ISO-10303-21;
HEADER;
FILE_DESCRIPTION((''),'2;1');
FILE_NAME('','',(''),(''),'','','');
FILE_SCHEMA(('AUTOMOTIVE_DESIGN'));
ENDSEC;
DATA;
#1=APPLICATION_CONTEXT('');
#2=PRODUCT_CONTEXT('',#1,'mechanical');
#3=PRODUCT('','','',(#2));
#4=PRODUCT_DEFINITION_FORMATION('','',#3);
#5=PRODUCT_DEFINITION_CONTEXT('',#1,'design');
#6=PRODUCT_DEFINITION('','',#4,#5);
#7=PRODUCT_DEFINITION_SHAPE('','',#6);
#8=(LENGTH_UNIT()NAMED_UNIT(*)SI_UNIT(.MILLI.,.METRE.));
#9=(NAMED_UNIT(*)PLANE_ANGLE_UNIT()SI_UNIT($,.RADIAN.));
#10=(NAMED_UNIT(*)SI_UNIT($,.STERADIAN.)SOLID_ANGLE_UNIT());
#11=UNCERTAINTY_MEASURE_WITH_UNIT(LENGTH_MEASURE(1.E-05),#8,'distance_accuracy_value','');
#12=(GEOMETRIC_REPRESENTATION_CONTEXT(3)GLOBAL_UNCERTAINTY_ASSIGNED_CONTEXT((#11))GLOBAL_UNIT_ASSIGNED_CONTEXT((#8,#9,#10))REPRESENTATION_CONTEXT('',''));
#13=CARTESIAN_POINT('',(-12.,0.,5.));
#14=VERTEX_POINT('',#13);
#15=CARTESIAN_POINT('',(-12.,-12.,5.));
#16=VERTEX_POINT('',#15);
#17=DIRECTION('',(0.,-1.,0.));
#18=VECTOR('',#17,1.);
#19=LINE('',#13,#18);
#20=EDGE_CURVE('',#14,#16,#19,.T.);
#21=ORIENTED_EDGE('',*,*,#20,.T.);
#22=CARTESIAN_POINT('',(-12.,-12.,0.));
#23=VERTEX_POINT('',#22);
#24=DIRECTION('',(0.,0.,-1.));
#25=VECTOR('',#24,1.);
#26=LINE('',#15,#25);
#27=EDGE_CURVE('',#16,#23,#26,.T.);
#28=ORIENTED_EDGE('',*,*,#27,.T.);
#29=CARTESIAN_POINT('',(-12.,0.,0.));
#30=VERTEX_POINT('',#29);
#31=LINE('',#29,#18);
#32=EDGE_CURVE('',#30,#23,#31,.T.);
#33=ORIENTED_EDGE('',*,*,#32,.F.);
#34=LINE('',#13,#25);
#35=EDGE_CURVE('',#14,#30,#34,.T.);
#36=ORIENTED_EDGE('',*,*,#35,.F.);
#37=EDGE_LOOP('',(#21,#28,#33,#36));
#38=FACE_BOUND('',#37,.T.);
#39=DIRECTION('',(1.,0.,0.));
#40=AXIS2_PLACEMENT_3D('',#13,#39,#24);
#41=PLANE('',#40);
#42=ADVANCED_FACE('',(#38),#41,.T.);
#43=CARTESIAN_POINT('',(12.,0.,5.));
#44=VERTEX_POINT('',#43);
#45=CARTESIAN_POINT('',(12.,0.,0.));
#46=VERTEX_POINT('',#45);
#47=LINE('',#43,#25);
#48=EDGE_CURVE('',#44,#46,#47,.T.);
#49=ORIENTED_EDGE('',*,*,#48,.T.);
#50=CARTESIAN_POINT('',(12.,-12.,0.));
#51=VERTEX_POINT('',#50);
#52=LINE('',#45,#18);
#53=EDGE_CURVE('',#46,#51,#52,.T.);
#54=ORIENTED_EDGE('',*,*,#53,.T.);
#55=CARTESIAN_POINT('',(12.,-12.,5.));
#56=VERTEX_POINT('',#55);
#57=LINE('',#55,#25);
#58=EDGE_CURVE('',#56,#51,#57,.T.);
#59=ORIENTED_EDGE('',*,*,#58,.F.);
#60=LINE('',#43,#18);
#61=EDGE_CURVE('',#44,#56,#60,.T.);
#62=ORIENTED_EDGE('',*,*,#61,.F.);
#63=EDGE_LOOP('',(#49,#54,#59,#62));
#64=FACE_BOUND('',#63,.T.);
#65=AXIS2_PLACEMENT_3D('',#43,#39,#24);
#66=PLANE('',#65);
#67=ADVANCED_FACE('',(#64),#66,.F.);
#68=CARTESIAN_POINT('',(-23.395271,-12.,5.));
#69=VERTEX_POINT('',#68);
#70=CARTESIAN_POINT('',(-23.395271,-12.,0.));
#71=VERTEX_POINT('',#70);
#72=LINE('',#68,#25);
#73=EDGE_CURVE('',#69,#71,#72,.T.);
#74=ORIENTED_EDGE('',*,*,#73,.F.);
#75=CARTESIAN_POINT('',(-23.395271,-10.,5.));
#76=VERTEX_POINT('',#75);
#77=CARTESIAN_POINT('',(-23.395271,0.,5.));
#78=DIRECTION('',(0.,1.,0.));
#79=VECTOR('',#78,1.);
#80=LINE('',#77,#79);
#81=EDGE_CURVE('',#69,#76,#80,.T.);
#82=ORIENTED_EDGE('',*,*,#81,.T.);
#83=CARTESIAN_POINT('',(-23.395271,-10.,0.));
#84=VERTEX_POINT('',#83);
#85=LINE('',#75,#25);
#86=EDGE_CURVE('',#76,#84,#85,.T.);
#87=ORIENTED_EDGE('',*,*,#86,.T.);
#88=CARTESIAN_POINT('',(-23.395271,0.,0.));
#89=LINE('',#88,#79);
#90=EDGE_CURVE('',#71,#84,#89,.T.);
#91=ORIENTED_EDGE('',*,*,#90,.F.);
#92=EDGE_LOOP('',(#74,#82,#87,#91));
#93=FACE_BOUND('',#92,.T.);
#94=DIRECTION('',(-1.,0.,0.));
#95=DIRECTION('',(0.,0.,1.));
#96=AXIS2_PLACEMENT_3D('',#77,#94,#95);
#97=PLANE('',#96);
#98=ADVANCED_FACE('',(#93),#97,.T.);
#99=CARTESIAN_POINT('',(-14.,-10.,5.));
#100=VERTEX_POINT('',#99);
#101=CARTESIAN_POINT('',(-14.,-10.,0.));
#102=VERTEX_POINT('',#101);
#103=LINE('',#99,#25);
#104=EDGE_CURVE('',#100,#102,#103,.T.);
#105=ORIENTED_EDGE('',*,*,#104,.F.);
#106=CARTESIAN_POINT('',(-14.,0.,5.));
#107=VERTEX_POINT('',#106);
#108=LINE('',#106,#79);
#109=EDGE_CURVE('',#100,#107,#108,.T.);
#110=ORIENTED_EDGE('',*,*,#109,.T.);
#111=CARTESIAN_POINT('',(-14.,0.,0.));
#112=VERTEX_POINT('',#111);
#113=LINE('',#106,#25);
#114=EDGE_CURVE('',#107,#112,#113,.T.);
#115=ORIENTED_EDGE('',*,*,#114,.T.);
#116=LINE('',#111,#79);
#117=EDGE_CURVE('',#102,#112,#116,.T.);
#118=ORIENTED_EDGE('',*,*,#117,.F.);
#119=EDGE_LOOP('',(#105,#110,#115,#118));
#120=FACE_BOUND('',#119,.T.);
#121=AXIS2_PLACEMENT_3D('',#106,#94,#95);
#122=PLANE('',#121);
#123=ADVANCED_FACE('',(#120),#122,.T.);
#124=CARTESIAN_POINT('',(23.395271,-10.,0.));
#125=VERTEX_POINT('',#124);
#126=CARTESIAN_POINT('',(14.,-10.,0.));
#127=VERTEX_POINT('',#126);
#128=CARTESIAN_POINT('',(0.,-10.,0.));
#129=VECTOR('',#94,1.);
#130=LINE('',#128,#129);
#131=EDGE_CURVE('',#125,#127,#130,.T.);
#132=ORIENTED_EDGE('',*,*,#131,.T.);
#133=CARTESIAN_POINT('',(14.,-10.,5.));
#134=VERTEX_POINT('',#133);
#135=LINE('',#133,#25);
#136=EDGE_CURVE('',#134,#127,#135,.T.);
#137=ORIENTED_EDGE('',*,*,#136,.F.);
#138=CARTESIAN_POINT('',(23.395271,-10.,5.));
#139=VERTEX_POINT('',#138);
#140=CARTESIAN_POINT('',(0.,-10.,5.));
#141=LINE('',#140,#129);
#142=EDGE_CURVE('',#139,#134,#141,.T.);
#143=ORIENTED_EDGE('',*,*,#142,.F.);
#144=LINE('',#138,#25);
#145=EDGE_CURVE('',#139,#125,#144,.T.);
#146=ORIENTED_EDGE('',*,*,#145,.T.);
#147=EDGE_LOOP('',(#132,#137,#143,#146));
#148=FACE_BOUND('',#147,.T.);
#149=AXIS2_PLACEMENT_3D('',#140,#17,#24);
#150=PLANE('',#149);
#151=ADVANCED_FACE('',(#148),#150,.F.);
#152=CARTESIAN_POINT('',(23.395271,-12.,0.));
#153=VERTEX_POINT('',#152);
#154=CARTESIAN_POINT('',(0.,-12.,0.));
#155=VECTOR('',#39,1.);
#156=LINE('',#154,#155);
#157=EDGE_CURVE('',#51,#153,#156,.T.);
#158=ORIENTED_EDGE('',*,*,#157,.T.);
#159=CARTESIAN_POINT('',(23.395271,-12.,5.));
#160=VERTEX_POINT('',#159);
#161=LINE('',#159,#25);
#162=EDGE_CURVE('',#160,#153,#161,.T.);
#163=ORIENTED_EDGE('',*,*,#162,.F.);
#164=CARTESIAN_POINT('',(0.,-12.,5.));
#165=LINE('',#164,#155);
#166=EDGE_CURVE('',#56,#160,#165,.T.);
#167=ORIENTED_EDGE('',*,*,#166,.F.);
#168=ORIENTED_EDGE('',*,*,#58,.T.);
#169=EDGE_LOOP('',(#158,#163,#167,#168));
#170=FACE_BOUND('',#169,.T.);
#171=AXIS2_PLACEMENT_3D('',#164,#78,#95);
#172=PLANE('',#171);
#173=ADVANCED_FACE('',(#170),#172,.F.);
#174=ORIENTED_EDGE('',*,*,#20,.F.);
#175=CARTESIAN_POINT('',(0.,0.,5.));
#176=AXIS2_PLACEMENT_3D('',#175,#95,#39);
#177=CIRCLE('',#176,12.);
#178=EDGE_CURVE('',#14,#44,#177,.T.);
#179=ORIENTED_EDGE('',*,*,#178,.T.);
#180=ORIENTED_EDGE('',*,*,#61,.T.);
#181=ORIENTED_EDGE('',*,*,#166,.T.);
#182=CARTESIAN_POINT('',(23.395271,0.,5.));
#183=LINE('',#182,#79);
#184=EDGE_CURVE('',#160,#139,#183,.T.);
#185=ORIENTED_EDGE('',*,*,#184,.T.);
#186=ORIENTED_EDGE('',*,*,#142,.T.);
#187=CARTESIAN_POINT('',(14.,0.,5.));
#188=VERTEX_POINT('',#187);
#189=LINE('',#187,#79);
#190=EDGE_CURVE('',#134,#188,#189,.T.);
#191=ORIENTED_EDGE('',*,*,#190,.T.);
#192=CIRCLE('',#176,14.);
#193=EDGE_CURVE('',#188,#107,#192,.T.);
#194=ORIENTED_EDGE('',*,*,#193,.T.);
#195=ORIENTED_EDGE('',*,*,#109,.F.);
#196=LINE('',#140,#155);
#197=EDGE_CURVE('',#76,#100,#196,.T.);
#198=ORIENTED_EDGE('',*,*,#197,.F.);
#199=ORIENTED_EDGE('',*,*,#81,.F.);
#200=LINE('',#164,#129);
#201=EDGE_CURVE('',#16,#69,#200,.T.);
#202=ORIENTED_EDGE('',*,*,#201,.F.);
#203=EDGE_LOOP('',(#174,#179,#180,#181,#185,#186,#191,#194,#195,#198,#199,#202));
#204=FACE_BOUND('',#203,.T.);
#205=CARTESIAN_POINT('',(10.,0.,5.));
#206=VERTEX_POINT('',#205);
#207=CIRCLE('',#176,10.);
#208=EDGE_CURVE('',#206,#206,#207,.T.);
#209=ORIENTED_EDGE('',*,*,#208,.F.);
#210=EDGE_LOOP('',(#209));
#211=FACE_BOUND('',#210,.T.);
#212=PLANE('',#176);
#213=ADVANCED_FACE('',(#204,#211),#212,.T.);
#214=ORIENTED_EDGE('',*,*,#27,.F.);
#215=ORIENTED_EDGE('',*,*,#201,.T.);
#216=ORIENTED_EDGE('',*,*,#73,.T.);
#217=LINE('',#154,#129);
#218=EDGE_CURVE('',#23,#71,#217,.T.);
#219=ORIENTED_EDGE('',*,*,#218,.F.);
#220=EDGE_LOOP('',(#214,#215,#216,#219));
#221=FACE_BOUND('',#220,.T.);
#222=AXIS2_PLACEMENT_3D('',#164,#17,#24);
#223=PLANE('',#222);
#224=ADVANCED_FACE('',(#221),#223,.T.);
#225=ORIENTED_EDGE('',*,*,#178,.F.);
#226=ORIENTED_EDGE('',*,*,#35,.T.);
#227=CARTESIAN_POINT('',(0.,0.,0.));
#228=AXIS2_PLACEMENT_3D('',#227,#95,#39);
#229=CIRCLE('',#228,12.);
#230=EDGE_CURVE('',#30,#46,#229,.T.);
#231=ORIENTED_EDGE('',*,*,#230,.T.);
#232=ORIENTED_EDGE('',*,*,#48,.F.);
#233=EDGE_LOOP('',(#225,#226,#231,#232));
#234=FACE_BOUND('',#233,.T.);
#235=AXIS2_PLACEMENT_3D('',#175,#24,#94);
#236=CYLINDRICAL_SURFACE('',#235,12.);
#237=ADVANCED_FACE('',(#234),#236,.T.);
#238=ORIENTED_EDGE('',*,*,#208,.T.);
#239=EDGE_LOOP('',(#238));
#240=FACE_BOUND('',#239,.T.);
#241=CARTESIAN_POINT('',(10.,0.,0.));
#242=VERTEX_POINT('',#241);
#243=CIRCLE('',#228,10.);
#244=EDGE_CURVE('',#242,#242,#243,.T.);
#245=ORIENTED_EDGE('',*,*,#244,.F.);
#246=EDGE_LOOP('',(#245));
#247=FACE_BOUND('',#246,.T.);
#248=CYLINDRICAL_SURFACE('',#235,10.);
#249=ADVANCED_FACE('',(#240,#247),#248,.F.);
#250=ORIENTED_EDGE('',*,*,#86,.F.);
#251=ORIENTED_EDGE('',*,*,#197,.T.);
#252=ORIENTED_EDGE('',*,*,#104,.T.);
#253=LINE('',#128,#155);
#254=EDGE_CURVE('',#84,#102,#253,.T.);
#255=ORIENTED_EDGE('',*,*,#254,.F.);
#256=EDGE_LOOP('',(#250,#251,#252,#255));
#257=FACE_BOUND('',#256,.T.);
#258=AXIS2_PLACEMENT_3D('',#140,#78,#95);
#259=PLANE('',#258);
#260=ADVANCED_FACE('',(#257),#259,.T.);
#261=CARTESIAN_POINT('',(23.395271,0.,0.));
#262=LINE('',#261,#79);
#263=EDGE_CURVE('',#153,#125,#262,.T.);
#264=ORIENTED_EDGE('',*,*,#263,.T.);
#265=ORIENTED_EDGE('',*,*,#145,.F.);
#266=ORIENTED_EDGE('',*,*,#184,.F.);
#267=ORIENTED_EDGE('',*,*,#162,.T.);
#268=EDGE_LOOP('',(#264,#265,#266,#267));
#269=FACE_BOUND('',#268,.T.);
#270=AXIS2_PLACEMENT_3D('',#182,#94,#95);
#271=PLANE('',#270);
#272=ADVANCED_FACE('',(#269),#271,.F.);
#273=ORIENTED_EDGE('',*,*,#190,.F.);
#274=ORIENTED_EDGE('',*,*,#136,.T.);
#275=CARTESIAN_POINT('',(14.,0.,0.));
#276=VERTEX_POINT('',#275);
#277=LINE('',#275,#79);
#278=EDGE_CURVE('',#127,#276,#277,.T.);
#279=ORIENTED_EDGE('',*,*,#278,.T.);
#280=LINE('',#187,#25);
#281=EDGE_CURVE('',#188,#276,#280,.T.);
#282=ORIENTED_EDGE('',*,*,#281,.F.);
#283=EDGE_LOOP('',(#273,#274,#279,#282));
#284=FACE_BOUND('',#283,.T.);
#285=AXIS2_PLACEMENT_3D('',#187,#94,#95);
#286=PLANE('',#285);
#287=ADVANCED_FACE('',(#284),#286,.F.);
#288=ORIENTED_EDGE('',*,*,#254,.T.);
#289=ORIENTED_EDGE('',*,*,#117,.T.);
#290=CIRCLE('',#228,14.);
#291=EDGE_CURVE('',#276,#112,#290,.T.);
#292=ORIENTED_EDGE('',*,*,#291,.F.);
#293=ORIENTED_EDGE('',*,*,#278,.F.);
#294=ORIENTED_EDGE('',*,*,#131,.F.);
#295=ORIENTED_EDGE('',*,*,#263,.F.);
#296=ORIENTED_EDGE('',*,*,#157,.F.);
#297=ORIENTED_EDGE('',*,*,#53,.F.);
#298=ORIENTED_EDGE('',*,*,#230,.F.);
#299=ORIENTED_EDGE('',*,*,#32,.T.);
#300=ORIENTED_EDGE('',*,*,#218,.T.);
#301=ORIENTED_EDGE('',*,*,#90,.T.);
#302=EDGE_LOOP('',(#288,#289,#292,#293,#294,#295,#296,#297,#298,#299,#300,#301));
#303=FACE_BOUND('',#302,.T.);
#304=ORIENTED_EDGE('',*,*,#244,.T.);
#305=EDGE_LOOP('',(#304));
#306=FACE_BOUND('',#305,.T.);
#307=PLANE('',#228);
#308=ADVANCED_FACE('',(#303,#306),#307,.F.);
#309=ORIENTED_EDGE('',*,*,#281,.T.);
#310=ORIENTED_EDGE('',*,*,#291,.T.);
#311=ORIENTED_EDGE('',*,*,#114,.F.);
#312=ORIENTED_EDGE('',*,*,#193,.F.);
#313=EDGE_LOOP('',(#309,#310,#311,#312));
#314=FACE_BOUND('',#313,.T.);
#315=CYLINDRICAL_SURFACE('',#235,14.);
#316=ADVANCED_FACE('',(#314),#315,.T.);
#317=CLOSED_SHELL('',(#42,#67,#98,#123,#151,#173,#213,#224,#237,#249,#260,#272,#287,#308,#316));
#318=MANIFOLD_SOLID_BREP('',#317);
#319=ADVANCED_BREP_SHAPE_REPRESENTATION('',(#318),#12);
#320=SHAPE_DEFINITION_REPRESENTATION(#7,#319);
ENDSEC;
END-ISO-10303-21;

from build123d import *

# Parameters (mm, degrees)
SKETCH1_R           = 12
SKETCH1_R_2         = 10
BOSS_EXTRUDE1_DEPTH = 5


with BuildPart() as part:
    # Sketch1 → Boss-Extrude1 (new body)
    # profile 1 of 2: a face of its own
    with BuildSketch(Plane.XY):
        with BuildLine():
            Line((-12, -12), (-12, 0))
            ThreePointArc((-12, 0), (0, 12), (12, 0))
            Line((12, 0), (12, -12))
            Line((12, -12), (23.395271001, -12))
            Line((23.395271001, -12), (23.395271001, -10))
            Line((23.395271001, -10), (14, -10))
            Line((14, -10), (14, 0))
            ThreePointArc((14, 0), (0, 14), (-14, 0))
            Line((-14, 0), (-14, -10))
            Line((-14, -10), (-23.395271001, -10))
            Line((-23.395271001, -10), (-23.395271001, -12))
            Line((-23.395271001, -12), (-12, -12))
        make_face()
    # profile 2 of 2: a face of its own
    with BuildSketch(Plane.XY):
        Circle(SKETCH1_R)
        Circle(SKETCH1_R_2, mode=Mode.SUBTRACT)
    extrude(amount=BOSS_EXTRUDE1_DEPTH)


solid = part.part
